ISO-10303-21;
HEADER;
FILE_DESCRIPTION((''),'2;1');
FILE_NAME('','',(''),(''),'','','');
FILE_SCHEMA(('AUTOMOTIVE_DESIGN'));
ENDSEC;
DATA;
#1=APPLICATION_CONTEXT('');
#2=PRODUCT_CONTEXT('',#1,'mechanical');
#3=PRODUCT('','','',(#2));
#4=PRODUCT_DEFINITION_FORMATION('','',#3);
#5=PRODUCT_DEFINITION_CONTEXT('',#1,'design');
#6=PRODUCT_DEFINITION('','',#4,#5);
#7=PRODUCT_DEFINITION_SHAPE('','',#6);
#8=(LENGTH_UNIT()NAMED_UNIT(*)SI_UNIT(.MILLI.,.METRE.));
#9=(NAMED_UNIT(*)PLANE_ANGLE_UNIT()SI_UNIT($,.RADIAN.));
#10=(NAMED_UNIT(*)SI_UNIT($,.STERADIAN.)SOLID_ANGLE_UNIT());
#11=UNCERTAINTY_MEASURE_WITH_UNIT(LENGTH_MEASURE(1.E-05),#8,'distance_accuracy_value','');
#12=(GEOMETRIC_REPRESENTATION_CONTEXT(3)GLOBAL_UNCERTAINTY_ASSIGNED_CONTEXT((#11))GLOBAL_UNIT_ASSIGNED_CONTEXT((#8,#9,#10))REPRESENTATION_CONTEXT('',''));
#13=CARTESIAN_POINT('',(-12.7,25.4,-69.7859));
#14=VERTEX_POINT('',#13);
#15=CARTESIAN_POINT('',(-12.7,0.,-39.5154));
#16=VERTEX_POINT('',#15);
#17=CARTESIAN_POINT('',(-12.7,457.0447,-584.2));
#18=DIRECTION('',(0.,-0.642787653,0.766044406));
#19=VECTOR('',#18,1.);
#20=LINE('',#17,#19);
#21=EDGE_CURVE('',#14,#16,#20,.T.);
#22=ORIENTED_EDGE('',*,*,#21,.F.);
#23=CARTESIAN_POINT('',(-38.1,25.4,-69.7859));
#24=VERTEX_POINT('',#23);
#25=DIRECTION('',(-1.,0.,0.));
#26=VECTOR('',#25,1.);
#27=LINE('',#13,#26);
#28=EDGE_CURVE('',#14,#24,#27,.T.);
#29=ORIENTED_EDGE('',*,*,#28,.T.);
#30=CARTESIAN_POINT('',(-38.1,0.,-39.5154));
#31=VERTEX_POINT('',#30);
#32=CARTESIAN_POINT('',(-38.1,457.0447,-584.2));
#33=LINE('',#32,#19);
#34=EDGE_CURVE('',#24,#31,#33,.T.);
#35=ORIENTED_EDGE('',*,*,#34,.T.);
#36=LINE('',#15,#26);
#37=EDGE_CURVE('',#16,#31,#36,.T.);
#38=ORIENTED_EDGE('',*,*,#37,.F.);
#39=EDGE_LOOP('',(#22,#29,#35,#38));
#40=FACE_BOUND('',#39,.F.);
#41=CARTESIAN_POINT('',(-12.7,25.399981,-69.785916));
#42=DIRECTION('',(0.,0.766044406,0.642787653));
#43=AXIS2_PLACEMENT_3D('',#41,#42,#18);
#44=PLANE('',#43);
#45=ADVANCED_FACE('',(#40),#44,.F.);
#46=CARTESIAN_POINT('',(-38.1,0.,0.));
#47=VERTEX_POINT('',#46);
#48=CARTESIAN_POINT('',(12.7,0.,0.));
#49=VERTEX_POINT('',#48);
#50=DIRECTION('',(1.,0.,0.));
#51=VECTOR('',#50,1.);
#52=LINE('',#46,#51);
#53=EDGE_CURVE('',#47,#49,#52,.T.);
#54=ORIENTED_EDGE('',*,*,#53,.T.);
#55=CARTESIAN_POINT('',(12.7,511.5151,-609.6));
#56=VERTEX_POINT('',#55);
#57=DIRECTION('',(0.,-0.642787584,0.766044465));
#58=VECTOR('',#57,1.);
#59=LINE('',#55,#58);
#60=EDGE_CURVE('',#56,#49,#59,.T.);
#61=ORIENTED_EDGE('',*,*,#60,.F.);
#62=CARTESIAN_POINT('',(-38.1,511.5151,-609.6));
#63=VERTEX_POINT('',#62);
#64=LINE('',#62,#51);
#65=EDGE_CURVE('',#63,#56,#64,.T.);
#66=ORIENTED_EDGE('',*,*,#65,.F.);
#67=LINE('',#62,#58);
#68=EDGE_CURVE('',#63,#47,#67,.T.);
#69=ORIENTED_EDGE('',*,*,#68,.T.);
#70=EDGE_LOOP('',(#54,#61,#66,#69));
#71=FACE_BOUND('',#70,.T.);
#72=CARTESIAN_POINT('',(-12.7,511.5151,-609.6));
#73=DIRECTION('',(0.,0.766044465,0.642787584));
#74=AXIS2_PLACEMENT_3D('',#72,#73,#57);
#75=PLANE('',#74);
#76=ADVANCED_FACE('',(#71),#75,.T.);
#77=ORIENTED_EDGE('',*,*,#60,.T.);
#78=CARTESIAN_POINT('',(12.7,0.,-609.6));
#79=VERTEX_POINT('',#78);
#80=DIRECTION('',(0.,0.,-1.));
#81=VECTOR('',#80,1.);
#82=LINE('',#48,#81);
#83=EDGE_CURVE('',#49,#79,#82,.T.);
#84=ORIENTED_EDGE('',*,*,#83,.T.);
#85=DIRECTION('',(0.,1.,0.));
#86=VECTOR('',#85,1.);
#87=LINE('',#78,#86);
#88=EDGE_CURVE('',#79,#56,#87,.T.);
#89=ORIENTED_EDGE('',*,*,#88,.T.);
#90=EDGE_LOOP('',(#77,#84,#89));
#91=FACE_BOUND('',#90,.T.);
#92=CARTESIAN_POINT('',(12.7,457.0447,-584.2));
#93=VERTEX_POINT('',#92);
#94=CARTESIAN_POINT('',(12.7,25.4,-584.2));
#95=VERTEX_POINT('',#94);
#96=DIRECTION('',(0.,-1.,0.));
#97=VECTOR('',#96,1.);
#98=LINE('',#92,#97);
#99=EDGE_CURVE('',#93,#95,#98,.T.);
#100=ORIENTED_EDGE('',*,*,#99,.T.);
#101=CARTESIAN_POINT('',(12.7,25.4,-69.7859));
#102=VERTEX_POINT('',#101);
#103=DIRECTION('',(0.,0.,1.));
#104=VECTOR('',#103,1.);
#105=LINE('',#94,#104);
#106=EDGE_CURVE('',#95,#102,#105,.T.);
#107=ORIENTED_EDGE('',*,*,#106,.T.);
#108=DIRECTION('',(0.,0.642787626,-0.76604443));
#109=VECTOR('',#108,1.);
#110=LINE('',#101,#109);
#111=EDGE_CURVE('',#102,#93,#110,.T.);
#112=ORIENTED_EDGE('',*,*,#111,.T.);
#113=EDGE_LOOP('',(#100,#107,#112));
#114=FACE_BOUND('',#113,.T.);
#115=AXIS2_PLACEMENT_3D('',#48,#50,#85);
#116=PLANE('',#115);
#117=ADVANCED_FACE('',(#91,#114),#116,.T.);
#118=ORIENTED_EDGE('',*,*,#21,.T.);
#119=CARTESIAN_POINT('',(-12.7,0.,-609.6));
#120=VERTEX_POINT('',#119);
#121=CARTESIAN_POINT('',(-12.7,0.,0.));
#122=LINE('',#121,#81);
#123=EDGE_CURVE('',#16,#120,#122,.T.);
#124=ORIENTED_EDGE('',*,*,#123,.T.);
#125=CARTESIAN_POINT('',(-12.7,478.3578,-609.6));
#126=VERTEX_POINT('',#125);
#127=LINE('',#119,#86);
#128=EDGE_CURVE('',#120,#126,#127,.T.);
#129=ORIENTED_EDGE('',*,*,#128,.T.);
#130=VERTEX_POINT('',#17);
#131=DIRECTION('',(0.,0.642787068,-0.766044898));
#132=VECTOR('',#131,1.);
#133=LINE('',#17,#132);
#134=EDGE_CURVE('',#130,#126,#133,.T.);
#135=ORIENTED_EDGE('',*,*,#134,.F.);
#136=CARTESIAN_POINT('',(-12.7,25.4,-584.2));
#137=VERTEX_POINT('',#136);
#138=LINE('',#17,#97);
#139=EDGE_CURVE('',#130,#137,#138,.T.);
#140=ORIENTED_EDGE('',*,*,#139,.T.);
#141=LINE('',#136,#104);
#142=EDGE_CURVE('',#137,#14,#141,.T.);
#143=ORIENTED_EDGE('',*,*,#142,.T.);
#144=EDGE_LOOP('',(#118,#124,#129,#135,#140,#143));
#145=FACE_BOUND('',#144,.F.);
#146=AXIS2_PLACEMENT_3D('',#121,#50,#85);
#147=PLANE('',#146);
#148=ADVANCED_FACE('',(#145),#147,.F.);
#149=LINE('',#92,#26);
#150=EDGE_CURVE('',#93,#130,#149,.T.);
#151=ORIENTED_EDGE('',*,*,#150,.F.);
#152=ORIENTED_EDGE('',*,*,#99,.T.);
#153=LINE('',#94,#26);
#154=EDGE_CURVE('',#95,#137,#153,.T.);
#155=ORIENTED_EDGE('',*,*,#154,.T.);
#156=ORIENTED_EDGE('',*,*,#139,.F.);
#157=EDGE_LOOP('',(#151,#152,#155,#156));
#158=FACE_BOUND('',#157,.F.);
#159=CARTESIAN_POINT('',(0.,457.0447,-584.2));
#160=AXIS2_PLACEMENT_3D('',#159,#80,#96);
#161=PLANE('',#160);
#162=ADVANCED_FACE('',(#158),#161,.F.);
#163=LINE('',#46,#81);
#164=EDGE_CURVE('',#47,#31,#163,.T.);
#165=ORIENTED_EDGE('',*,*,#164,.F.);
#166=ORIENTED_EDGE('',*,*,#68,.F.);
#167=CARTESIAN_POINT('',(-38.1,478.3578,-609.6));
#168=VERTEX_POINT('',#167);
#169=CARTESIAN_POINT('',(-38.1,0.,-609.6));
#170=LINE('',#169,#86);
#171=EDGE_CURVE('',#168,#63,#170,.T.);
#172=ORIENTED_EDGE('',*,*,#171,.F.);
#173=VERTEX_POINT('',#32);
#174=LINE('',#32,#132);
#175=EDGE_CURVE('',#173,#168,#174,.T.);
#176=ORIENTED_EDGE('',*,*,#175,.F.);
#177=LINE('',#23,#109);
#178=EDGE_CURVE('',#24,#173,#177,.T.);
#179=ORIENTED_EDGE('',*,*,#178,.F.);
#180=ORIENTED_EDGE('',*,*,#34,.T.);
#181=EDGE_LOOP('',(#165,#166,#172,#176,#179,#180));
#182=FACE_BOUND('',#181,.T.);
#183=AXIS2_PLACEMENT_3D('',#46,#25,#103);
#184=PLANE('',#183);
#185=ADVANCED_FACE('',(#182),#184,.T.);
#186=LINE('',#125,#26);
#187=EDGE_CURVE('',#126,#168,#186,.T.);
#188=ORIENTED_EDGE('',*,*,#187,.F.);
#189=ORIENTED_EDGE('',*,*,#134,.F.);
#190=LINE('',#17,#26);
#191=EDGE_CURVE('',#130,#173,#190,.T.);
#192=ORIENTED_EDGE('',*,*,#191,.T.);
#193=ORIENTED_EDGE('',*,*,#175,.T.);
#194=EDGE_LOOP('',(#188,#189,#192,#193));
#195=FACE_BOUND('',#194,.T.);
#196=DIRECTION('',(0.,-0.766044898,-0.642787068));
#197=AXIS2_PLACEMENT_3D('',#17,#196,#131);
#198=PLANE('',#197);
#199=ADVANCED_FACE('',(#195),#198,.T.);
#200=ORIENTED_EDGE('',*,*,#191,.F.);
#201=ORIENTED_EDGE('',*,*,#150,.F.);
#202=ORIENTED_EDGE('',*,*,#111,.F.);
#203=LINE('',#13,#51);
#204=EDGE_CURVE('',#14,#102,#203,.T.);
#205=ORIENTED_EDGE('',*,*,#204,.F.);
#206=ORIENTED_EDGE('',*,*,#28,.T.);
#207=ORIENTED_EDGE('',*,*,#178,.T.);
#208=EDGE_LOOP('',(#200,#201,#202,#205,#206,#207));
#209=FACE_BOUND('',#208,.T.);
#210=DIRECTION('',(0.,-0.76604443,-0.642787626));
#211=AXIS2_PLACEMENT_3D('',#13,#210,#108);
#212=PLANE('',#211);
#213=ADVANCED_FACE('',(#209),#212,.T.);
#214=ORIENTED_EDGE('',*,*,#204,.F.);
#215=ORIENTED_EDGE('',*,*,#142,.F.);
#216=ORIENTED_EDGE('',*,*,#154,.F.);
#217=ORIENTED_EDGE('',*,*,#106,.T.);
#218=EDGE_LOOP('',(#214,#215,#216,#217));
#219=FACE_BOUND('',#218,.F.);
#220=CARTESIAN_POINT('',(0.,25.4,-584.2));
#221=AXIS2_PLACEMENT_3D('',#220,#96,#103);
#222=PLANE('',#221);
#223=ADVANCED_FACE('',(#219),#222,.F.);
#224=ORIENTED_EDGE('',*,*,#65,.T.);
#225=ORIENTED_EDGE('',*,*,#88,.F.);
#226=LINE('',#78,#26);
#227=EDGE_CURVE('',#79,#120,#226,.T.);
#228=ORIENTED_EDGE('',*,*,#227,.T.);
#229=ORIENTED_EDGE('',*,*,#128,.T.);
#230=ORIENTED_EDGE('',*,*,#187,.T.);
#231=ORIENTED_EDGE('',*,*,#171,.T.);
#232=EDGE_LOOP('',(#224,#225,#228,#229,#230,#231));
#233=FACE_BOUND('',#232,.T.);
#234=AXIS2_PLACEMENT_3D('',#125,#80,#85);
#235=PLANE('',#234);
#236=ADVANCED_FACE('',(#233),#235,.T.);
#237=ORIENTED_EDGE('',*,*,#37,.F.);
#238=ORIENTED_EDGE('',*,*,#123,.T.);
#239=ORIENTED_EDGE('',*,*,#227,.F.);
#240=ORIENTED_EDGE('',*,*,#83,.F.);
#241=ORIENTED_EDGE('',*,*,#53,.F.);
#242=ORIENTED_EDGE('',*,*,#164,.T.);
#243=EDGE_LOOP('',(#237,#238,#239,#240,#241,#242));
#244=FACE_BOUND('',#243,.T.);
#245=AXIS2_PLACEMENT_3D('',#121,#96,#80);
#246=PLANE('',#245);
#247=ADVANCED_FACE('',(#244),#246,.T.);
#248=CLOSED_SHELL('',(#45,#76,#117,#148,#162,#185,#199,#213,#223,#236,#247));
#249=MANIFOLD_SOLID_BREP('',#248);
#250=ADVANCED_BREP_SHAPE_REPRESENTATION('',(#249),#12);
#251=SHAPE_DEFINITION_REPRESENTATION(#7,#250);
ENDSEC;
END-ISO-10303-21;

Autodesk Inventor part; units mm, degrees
ref_plane "YZ Plane" through (0, 0, 0) normal (1, 0, 0) x (0, 1, 0)
ref_plane "XZ Plane" through (0, 0, 0) normal (0, 1, 0) x (-1, 0, 0)
ref_plane "XY Plane" through (0, 0, 0) normal (0, 0, 1) x (1, 0, 0)
sketch "Sketch1" plane through (0, 0, 0) normal (1, 0, 0) x (0, 1, 0)
  line L0 (0, 0) -> (0, -609.6)
  line L1 (0, -609.6) -> (511.5151, -609.6)
  line L2 (511.5151, -609.6) -> (0, 0)
  line L3 (25.4, -69.7859) -> (457.0447, -584.2)
  line L4 (457.0447, -584.2) -> (25.4, -584.2)
  line L5 (25.4, -584.2) -> (25.4, -69.7859)
  dimension "d0" = 609.6
  dimension "d1" = 40
  dimension "d2" = 25.4
  dimension "d3" = 25.4
  dimension "d4" = 25.4
extrude "Extrusion1" add sketch "Sketch1" along normal mid plane 25.4
sketch "Sketch2" plane through (-12.7, 0, 0) normal (-1, 0, 0) x (0, 0, 1)
  line L0 (-609.6, 0) -> (-609.6, 511.5151) projected
  line L1 (-609.6, 511.5151) -> (0, 0) projected
  line L2 (-609.6, 511.5151) -> (0, 0)
  line L3 (-69.7859, 25.4) -> (-584.2, 457.0447) projected
  line L4 (-584.2, 457.0447) -> (-39.5154, 0)
  line L5 (0, 0) -> (-609.6, 0) projected
  line L6 (-584.2, 457.0447) -> (-609.6, 478.3578)
  line L7 (-609.6, 511.5151) -> (-609.6, 478.3578)
  line L8 (-39.5154, 0) -> (0, 0)
extrude "Extrusion2" add sketch "Sketch2" along normal blind 25.4 contours L0 L1 L5 L4 L3 L6
properties part number "ballRampRightSideV04"
